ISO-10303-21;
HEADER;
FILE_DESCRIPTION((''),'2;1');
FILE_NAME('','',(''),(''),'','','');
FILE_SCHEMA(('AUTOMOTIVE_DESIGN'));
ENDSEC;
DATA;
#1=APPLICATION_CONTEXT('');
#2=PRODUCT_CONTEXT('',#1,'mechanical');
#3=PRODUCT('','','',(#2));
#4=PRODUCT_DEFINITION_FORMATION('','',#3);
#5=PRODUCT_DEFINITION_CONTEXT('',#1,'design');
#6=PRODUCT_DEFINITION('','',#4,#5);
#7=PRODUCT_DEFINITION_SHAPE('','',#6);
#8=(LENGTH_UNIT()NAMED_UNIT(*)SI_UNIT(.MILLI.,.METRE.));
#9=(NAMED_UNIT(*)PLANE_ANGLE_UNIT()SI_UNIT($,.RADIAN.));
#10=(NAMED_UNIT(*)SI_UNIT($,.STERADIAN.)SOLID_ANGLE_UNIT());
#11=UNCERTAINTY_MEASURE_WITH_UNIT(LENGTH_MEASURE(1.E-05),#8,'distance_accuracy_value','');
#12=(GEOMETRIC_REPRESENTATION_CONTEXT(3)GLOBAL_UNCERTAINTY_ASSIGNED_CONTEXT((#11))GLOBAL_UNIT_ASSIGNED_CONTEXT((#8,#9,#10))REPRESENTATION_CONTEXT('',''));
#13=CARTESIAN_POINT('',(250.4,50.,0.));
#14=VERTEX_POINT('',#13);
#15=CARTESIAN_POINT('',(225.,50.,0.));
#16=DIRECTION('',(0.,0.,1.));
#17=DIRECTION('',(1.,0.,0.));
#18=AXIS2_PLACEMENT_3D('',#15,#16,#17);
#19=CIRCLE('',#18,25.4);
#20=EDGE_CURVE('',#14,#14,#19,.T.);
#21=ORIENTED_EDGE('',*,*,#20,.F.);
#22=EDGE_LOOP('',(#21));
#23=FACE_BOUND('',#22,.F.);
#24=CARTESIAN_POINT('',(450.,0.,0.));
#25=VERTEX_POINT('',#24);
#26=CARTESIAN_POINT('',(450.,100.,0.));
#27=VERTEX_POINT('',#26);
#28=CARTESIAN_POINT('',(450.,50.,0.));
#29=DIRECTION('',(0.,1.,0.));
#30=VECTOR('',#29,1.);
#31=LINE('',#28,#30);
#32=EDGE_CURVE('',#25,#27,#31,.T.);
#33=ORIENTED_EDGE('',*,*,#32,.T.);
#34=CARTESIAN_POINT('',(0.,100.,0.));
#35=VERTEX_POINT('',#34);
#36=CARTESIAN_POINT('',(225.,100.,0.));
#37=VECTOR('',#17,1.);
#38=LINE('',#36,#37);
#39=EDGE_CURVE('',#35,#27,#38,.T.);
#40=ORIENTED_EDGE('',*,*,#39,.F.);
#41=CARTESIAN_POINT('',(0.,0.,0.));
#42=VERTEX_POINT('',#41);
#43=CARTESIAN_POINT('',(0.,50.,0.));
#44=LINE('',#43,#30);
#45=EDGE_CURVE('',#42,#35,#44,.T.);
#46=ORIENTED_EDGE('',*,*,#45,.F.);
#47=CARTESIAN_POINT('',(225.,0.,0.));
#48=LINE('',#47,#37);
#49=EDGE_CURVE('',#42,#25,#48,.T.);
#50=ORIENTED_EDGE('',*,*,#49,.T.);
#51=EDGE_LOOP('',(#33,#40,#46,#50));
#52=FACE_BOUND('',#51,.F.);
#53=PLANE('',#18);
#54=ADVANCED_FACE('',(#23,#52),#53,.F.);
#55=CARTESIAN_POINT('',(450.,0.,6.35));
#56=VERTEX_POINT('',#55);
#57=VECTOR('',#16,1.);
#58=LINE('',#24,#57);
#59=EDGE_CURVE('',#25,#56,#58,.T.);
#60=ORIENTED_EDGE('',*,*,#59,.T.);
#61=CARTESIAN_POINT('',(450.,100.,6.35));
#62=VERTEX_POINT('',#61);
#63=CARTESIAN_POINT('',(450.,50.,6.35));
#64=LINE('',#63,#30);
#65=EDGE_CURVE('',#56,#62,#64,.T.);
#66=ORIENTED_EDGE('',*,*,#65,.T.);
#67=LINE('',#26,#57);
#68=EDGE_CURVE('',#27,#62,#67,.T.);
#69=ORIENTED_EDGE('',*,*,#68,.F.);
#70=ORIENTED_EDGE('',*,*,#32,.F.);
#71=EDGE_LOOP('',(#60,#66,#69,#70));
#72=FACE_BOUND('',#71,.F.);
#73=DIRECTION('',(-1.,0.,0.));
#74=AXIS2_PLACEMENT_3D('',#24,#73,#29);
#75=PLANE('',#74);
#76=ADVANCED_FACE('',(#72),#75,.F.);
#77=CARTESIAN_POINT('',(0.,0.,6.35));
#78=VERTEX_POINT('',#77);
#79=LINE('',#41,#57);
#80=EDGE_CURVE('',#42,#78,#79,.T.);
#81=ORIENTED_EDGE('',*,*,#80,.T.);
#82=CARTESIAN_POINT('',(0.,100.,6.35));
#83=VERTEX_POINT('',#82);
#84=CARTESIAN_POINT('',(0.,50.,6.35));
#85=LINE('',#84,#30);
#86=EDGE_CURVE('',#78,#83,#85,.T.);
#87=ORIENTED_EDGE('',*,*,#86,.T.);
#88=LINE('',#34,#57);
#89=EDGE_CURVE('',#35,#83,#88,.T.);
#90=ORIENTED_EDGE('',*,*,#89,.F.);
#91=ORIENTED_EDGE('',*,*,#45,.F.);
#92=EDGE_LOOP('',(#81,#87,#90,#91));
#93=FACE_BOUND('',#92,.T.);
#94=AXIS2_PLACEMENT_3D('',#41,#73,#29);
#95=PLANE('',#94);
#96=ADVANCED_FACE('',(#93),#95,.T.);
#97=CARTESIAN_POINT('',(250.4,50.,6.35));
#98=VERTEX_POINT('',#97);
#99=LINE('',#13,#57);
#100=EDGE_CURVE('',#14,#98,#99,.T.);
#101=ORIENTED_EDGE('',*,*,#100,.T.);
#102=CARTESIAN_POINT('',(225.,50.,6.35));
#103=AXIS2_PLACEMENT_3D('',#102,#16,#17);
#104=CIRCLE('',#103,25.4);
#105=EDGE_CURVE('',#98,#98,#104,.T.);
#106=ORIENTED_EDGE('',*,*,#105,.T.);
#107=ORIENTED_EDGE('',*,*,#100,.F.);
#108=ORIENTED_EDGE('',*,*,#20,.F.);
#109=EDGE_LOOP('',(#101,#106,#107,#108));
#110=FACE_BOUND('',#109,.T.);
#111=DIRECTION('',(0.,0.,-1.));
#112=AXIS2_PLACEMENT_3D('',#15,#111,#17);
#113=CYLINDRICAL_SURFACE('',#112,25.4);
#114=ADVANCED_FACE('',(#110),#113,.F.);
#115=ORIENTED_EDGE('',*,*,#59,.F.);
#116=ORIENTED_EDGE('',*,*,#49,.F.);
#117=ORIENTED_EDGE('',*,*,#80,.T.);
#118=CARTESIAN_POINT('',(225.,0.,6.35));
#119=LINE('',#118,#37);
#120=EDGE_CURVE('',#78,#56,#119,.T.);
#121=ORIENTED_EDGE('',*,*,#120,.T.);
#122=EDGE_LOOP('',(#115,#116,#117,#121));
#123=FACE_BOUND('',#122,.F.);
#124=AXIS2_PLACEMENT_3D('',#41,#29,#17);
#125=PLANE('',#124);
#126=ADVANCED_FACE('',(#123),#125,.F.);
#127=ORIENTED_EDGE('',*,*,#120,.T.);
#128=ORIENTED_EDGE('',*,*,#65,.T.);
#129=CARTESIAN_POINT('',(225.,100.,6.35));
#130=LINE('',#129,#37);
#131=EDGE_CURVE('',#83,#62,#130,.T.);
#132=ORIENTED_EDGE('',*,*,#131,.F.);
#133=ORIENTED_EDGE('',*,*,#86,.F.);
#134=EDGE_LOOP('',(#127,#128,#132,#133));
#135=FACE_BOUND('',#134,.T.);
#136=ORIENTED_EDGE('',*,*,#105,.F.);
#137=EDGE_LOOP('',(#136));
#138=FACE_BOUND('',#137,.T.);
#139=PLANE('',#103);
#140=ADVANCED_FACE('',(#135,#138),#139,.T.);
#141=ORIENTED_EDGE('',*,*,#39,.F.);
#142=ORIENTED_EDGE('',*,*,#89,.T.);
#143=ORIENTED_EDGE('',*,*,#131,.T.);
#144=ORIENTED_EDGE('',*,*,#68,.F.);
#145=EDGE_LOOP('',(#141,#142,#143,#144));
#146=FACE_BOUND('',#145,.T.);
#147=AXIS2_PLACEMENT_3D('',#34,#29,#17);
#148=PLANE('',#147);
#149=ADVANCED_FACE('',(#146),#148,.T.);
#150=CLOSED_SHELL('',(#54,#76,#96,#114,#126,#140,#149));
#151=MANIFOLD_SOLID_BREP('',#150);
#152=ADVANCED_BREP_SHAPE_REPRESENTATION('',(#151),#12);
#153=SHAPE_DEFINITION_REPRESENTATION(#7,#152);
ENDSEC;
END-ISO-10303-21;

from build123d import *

# Parameters (mm, degrees)
SKETCH_W  = 450
SKETCH_H  = 100
SKETCH_R  = 25.4
PAD_DEPTH = 6.35


with BuildPart() as part:
    # Sketch → Pad (new body)
    with BuildSketch(Plane.XY):
        with Locations((225, 50)):
            Rectangle(SKETCH_W, SKETCH_H)
        with Locations((225, 50)):
            Circle(SKETCH_R, mode=Mode.SUBTRACT)
    extrude(amount=PAD_DEPTH)


solid = part.part
